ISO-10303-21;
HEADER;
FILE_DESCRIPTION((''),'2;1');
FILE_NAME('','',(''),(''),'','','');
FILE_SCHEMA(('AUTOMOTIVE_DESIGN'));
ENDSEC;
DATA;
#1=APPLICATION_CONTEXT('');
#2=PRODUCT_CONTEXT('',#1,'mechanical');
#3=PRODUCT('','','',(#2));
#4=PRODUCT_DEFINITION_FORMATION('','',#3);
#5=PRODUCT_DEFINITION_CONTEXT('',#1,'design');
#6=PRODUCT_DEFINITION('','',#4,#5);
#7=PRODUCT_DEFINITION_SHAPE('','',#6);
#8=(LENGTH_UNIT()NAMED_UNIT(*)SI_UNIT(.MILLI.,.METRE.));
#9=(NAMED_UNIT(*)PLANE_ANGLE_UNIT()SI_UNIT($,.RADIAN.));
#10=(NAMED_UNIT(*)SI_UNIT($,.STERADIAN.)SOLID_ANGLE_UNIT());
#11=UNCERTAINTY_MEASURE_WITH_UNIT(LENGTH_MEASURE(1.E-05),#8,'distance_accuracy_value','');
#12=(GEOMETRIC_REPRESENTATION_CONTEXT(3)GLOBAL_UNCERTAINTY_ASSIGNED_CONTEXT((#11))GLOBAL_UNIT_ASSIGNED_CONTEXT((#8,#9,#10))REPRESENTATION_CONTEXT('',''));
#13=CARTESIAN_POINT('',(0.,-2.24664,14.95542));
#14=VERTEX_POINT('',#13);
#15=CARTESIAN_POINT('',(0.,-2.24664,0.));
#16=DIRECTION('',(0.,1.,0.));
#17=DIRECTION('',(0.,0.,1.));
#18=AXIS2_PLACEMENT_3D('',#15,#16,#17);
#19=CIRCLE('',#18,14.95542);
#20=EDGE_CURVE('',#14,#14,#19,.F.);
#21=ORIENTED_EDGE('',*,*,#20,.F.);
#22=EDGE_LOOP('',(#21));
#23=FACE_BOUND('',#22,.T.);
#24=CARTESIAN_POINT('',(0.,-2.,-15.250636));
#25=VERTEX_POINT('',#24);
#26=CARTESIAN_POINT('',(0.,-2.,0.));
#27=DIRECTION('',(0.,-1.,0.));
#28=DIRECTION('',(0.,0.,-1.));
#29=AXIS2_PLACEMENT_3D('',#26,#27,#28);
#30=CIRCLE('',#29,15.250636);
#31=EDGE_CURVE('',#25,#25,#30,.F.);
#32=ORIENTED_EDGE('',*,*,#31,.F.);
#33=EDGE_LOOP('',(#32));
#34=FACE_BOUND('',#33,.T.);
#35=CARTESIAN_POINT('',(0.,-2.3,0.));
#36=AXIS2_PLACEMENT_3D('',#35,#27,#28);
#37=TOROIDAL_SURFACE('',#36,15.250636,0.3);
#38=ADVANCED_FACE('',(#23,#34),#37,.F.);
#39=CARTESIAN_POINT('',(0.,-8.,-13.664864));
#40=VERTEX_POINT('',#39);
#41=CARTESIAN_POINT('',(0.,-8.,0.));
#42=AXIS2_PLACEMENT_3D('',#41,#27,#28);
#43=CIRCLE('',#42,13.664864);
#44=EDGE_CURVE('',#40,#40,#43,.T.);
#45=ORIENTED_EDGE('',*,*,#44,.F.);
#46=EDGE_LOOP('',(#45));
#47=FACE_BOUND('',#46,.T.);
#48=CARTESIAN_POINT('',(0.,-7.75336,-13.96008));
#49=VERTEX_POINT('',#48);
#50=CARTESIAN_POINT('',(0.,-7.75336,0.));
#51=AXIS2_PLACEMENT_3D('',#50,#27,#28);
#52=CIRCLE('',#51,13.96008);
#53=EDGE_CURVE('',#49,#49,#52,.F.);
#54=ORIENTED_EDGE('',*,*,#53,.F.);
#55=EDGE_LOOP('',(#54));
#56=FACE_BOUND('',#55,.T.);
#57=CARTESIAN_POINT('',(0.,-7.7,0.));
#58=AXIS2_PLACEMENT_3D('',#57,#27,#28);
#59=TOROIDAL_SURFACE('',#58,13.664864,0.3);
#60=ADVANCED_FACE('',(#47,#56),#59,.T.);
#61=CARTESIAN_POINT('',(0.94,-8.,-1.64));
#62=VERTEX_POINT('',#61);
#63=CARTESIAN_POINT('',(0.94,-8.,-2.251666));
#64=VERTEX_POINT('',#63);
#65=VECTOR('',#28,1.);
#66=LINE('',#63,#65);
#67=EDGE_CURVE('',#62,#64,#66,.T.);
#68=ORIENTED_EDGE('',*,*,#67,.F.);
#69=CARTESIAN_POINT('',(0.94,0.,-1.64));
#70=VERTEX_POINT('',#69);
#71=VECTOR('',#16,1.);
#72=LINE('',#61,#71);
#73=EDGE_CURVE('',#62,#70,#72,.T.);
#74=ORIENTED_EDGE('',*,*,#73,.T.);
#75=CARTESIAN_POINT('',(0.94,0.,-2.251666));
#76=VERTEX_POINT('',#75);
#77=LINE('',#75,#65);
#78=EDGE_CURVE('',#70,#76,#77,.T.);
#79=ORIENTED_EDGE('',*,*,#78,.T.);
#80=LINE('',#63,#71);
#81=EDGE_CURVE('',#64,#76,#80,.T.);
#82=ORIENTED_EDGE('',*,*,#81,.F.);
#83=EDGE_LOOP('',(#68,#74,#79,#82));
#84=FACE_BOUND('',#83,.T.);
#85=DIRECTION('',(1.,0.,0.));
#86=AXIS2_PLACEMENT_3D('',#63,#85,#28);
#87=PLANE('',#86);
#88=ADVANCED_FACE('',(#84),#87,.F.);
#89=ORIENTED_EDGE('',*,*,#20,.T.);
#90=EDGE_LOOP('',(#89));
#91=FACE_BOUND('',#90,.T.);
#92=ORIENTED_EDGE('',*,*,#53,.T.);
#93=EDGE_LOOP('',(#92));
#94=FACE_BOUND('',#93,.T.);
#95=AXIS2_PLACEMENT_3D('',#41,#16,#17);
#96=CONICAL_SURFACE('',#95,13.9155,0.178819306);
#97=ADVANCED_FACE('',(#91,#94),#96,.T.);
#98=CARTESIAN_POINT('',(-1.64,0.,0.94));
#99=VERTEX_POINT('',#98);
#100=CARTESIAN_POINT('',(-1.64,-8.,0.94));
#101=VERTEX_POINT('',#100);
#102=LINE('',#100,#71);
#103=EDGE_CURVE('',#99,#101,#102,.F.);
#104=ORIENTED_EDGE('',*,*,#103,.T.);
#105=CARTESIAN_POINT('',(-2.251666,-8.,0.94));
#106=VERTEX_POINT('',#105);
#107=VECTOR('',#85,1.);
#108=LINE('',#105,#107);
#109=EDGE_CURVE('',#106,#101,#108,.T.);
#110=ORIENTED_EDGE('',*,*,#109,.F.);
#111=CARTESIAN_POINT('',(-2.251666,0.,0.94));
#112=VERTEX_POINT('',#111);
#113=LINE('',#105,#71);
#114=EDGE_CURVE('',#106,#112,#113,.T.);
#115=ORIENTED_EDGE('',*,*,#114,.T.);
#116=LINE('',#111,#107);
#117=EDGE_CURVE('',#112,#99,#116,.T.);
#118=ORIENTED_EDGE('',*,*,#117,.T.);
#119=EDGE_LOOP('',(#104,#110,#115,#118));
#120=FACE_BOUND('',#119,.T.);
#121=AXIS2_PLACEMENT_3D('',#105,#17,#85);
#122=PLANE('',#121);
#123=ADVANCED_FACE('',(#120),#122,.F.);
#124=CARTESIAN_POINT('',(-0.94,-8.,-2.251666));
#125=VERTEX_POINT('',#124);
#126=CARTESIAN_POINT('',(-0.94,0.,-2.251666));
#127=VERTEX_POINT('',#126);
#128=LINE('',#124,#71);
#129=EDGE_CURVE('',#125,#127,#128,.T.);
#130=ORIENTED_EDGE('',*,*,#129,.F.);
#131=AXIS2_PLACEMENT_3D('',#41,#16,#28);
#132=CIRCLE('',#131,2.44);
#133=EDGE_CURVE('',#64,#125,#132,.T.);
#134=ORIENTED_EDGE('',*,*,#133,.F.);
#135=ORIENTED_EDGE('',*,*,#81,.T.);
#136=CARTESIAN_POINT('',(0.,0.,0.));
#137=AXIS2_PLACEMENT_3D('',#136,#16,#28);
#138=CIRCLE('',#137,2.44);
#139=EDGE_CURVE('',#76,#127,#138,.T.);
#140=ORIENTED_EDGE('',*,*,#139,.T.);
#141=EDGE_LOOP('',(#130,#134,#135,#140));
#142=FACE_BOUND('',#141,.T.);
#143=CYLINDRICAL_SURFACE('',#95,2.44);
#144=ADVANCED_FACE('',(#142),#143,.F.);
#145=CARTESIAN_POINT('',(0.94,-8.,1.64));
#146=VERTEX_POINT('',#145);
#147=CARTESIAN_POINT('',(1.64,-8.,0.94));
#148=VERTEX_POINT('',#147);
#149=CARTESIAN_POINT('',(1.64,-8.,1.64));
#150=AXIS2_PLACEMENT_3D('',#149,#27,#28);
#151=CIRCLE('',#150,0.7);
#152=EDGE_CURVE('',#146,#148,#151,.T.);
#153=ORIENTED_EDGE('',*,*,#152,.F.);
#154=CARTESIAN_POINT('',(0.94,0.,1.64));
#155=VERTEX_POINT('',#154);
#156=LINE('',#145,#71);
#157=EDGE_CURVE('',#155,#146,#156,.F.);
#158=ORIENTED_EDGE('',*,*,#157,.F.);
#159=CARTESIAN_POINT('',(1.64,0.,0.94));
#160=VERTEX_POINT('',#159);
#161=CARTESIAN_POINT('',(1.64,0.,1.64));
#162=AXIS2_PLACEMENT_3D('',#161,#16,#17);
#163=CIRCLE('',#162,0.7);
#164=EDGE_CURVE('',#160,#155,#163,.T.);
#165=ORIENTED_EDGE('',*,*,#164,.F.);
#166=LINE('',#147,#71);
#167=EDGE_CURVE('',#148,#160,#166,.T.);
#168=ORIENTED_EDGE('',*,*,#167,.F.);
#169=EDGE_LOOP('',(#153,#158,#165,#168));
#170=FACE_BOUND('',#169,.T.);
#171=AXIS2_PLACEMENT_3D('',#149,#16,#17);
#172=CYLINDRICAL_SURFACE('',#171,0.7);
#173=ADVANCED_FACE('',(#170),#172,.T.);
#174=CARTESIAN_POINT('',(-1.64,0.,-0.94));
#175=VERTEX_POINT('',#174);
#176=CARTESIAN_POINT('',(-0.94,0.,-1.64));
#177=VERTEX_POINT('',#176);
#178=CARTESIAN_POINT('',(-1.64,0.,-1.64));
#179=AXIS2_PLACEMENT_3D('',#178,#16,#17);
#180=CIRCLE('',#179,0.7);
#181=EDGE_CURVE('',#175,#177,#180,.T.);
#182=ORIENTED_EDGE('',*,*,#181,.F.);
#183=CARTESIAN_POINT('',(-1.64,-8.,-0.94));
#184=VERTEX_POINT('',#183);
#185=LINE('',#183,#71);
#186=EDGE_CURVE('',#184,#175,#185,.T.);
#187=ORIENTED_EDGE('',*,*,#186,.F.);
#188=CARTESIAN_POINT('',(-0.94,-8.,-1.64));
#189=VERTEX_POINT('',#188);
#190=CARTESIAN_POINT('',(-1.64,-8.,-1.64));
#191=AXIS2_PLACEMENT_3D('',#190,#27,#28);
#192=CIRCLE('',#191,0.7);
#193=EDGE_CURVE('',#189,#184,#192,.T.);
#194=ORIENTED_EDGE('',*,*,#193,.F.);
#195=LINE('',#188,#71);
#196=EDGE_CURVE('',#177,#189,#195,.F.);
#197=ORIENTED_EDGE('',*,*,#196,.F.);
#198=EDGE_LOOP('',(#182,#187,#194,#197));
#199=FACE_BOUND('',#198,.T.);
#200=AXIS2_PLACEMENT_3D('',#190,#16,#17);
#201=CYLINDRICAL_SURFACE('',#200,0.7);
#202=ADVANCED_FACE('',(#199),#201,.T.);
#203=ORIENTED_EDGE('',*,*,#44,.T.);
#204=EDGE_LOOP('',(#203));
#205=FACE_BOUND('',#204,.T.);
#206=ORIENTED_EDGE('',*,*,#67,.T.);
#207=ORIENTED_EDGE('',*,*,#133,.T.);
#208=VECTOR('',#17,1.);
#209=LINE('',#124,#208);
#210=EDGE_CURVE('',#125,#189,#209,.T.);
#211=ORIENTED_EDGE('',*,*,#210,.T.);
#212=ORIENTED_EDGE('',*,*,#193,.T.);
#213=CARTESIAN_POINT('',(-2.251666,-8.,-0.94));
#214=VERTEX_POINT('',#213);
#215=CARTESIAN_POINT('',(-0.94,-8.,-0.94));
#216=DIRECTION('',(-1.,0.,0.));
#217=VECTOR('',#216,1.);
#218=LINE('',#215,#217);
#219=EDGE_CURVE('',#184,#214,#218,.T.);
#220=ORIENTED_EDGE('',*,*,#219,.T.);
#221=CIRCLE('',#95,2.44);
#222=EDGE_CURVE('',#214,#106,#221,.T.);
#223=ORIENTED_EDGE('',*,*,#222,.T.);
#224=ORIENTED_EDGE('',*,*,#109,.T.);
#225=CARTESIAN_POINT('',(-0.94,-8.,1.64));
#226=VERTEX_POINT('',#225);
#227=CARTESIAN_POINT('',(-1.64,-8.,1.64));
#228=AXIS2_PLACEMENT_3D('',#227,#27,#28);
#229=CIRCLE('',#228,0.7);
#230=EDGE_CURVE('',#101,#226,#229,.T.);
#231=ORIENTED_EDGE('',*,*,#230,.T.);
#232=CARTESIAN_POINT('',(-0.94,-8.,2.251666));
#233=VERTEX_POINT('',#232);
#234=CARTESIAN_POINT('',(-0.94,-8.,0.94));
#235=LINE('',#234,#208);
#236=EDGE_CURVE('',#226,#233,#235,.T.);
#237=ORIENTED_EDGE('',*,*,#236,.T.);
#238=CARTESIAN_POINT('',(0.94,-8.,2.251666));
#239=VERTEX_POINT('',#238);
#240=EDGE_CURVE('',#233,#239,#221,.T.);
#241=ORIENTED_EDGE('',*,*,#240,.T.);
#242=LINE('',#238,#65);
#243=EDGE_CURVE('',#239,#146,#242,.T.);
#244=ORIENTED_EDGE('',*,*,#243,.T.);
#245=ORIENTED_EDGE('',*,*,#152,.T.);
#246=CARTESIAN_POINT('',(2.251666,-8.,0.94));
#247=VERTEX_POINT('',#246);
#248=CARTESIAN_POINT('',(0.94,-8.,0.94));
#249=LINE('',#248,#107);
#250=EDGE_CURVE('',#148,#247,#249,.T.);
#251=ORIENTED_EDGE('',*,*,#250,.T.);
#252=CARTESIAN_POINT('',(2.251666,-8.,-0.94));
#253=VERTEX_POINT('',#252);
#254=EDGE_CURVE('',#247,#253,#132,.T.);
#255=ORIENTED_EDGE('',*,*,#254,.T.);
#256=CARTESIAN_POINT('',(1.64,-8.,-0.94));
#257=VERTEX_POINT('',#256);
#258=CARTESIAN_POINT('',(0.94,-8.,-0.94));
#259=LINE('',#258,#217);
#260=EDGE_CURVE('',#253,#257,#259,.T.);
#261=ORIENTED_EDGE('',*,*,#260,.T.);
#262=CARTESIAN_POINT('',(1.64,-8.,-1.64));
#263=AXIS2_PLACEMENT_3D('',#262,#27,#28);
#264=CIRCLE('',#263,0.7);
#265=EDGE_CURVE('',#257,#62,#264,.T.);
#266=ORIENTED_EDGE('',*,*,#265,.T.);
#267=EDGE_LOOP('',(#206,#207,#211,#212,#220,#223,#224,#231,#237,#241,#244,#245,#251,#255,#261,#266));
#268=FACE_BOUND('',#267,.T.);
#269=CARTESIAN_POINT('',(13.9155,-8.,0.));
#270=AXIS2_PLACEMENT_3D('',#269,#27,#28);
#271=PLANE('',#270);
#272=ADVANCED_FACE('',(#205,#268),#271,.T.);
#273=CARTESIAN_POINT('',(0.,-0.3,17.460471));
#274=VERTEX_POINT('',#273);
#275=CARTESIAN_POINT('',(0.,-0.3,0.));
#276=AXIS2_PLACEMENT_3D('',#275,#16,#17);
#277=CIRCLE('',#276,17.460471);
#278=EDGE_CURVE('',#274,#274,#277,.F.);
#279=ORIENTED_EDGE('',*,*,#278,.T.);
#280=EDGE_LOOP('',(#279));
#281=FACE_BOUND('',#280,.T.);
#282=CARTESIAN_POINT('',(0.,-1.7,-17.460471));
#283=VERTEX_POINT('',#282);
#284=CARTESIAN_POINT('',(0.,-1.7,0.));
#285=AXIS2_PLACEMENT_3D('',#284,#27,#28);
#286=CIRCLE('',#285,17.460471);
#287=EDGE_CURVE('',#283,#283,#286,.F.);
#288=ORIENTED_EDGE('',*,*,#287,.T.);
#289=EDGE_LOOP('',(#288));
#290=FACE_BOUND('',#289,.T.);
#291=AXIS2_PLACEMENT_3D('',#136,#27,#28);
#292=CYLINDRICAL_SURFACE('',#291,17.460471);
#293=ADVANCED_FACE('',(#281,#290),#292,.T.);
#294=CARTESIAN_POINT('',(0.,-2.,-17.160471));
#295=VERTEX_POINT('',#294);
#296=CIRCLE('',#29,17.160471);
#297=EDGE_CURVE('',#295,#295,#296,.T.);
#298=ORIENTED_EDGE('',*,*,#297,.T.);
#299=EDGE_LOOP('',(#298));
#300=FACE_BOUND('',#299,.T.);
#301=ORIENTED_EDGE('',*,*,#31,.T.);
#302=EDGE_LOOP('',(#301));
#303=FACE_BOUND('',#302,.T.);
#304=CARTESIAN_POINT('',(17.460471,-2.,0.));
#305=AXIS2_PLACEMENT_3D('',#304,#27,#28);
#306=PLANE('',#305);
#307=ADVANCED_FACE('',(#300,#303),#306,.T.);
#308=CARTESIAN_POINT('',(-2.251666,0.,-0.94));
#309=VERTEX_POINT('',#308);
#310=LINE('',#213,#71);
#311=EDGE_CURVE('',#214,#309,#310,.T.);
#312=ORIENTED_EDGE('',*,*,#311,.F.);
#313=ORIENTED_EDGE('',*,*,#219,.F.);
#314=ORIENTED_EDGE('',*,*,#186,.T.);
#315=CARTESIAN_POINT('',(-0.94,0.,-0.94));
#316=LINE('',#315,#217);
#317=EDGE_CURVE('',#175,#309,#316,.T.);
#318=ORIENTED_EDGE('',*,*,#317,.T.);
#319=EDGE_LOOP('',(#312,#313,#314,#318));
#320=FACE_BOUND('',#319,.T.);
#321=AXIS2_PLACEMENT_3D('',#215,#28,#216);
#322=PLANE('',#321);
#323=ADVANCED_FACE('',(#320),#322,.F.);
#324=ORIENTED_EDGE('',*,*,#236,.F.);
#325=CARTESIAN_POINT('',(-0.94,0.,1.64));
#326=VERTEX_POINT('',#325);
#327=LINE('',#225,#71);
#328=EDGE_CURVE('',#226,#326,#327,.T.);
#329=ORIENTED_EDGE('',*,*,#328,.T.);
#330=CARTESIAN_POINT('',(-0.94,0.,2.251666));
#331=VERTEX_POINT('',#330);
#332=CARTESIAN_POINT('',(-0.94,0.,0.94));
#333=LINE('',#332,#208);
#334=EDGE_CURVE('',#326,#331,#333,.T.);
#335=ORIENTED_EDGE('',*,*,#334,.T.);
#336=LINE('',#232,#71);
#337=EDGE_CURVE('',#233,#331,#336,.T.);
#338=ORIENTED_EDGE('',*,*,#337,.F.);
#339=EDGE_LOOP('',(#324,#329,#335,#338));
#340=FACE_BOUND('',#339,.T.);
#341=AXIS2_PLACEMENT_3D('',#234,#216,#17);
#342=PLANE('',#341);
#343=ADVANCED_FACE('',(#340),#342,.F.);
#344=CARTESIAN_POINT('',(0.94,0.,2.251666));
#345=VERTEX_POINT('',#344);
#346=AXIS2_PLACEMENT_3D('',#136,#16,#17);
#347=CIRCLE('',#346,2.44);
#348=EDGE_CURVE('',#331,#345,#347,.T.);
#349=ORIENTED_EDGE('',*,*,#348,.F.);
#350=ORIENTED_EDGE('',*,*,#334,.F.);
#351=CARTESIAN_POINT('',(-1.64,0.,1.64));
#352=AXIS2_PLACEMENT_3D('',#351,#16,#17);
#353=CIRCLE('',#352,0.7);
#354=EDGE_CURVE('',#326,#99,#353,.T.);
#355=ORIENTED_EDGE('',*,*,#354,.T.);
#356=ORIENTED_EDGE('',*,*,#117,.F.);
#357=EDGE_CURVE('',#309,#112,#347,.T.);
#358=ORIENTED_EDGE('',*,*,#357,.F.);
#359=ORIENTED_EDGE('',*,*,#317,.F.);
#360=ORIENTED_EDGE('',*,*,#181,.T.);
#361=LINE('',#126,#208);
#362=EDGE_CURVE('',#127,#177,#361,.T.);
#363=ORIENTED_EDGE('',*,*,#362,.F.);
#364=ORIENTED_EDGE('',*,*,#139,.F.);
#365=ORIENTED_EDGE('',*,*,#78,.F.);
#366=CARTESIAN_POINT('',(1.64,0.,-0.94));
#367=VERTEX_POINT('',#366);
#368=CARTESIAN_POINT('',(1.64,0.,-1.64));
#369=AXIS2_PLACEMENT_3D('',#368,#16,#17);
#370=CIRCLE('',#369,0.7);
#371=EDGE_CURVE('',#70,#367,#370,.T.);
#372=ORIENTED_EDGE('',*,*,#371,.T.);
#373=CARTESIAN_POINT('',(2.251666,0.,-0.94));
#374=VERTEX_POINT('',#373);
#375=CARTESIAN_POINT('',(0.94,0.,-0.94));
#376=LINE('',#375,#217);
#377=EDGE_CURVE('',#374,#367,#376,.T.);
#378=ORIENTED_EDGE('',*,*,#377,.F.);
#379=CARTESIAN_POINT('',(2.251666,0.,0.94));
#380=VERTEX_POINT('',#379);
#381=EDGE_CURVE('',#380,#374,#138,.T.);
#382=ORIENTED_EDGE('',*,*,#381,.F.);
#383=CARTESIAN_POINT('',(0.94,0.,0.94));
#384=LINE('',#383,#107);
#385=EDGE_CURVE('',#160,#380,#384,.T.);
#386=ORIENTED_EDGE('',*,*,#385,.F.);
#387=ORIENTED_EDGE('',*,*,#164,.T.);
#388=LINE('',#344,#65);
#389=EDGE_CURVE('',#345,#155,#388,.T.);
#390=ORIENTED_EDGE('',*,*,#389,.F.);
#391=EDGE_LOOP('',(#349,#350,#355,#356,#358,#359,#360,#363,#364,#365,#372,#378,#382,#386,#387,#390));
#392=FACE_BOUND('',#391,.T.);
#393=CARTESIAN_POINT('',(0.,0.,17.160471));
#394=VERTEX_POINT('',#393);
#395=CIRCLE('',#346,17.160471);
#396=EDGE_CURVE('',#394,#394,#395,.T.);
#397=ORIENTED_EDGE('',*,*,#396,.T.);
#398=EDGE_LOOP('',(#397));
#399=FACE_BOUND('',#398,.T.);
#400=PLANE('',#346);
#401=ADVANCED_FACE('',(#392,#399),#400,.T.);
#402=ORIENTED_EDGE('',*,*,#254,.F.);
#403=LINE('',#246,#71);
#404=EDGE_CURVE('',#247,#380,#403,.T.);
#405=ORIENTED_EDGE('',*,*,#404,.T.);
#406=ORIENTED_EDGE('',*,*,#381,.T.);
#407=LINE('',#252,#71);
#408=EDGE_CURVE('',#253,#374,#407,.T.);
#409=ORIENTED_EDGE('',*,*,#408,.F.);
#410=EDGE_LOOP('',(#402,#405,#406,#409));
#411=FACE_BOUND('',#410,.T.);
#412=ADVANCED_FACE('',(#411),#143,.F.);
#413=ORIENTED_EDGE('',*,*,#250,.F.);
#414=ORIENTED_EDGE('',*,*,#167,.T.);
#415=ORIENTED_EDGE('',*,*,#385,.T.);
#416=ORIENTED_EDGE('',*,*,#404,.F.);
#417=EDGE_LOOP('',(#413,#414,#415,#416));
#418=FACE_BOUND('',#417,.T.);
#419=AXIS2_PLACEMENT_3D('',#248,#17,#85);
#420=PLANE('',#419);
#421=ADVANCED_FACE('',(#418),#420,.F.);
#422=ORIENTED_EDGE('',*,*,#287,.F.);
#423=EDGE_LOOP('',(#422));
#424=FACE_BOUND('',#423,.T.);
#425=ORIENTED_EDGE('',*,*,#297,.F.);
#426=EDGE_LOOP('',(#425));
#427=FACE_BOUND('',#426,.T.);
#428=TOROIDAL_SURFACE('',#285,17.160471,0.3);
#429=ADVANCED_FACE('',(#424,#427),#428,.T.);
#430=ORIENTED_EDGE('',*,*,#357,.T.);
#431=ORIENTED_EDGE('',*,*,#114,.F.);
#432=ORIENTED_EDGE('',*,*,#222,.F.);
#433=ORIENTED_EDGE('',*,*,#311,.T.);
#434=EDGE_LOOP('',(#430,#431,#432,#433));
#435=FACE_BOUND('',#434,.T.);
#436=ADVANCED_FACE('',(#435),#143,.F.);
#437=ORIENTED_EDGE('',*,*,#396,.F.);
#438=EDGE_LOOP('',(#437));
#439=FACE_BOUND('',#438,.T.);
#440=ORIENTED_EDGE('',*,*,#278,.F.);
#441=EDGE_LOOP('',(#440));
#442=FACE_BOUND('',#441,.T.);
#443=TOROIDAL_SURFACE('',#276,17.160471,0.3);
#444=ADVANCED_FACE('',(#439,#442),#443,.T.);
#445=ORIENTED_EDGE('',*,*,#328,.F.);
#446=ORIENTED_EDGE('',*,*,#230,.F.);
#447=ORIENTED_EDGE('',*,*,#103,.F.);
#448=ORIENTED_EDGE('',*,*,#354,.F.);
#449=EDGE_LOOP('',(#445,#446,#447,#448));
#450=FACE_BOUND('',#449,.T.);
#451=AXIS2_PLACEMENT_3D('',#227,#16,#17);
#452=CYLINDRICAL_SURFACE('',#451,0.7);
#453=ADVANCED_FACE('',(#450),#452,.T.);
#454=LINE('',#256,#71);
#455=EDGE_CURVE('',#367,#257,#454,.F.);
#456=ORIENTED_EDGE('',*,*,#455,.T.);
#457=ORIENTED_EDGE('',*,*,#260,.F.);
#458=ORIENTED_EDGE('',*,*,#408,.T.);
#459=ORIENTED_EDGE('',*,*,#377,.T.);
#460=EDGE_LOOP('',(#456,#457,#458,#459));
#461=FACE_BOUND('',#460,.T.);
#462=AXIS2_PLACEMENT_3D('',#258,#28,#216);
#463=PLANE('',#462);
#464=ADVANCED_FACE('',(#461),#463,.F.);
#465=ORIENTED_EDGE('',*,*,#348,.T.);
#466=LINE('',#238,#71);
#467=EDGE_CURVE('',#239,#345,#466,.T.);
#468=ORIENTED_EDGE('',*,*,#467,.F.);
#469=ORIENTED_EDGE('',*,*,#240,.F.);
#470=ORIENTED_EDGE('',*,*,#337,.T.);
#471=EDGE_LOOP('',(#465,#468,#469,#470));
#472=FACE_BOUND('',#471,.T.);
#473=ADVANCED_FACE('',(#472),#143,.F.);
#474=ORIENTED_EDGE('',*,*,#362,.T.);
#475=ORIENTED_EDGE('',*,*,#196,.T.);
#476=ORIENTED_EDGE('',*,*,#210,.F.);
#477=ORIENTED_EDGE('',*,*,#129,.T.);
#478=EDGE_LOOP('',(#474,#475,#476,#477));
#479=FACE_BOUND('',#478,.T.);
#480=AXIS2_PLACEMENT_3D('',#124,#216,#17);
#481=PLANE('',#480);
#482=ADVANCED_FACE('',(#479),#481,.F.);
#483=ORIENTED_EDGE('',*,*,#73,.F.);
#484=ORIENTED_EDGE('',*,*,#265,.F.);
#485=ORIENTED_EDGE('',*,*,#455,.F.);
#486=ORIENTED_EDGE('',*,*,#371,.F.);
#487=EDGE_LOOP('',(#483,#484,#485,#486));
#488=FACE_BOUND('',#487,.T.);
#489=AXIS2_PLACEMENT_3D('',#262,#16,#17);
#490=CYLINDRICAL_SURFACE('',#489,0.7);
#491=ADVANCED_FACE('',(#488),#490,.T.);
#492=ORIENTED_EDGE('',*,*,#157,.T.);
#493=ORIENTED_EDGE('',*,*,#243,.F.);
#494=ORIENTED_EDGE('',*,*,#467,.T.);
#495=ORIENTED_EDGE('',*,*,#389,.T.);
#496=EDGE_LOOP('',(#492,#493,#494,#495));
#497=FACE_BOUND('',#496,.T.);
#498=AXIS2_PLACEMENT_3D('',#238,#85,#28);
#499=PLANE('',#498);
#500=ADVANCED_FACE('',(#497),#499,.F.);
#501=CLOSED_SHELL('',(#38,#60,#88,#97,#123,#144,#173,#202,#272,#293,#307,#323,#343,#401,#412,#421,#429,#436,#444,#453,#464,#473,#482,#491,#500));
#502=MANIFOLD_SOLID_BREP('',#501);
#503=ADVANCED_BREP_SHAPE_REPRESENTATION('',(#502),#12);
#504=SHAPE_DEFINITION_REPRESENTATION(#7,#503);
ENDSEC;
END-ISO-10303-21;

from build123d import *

# Parameters (mm, degrees)
CUT_EXTRUDE1_DEPTH = 26.956426849
FILLET1_R          = 0.7
FILLET2_R          = 0.3


with BuildPart() as part:
    # Sketch2 → Revolve1 (revolve)
    with BuildSketch(Plane.XY, mode=Mode.PRIVATE) as revolve1_sk:
        Polygon((0, 0), (17.460470996, 0), (17.460470996, -2), (15, -2), (13.9155, -8), (0, -8), align=None)
    revolve(revolve1_sk.sketch.rotate(Axis((0, 0, 0), (0, 1, 0)), 90), axis=Axis((0, 0, 0), (0, 1, 0)))

    # Sketch1 → Cut-Extrude1 (cut, through all)
    with BuildSketch(Plane(origin=(0, 0, 0), x_dir=(1, 0, 0), z_dir=(0, 1, 0))):
        with BuildLine():
            Line((-0.94, 0.94), (-2.25166605, 0.94))
            ThreePointArc((-2.25166605, 0.94), (-2.44, 0), (-2.25166605, -0.94))
            Line((-2.25166605, -0.94), (-0.94, -0.94))
            Line((-0.94, -0.94), (-0.94, -2.25166605))
            ThreePointArc((-0.94, -2.25166605), (0, -2.44), (0.94, -2.25166605))
            Line((0.94, -2.25166605), (0.94, -0.94))
            Line((0.94, -0.94), (2.25166605, -0.94))
            ThreePointArc((2.25166605, -0.94), (2.44, 0), (2.25166605, 0.94))
            Line((2.25166605, 0.94), (0.94, 0.94))
            Line((0.94, 0.94), (0.94, 2.25166605))
            ThreePointArc((0.94, 2.25166605), (0, 2.44), (-0.94, 2.25166605))
            Line((-0.94, 2.25166605), (-0.94, 0.94))
        make_face()
    extrude(amount=-CUT_EXTRUDE1_DEPTH, mode=Mode.SUBTRACT)

    # Fillet1
    fillet1_edges = [part.edges().sort_by_distance(p)[0] for p in [
        (-0.94, -4, -0.94),
        (0.94, -4, -0.94),
        (0.94, -4, 0.94),
        (-0.94, -4, 0.94),
    ]]
    fillet(fillet1_edges, radius=FILLET1_R)

    # Fillet2
    fillet2_edges = [part.edges().sort_by_distance(p)[0] for p in [
        (0, -8, 13.9155),
        (0, -2, 15),
        (0, -2, 17.460470996),
        (0, 0, 17.460470996),
    ]]
    fillet(fillet2_edges, radius=FILLET2_R)


solid = part.part
